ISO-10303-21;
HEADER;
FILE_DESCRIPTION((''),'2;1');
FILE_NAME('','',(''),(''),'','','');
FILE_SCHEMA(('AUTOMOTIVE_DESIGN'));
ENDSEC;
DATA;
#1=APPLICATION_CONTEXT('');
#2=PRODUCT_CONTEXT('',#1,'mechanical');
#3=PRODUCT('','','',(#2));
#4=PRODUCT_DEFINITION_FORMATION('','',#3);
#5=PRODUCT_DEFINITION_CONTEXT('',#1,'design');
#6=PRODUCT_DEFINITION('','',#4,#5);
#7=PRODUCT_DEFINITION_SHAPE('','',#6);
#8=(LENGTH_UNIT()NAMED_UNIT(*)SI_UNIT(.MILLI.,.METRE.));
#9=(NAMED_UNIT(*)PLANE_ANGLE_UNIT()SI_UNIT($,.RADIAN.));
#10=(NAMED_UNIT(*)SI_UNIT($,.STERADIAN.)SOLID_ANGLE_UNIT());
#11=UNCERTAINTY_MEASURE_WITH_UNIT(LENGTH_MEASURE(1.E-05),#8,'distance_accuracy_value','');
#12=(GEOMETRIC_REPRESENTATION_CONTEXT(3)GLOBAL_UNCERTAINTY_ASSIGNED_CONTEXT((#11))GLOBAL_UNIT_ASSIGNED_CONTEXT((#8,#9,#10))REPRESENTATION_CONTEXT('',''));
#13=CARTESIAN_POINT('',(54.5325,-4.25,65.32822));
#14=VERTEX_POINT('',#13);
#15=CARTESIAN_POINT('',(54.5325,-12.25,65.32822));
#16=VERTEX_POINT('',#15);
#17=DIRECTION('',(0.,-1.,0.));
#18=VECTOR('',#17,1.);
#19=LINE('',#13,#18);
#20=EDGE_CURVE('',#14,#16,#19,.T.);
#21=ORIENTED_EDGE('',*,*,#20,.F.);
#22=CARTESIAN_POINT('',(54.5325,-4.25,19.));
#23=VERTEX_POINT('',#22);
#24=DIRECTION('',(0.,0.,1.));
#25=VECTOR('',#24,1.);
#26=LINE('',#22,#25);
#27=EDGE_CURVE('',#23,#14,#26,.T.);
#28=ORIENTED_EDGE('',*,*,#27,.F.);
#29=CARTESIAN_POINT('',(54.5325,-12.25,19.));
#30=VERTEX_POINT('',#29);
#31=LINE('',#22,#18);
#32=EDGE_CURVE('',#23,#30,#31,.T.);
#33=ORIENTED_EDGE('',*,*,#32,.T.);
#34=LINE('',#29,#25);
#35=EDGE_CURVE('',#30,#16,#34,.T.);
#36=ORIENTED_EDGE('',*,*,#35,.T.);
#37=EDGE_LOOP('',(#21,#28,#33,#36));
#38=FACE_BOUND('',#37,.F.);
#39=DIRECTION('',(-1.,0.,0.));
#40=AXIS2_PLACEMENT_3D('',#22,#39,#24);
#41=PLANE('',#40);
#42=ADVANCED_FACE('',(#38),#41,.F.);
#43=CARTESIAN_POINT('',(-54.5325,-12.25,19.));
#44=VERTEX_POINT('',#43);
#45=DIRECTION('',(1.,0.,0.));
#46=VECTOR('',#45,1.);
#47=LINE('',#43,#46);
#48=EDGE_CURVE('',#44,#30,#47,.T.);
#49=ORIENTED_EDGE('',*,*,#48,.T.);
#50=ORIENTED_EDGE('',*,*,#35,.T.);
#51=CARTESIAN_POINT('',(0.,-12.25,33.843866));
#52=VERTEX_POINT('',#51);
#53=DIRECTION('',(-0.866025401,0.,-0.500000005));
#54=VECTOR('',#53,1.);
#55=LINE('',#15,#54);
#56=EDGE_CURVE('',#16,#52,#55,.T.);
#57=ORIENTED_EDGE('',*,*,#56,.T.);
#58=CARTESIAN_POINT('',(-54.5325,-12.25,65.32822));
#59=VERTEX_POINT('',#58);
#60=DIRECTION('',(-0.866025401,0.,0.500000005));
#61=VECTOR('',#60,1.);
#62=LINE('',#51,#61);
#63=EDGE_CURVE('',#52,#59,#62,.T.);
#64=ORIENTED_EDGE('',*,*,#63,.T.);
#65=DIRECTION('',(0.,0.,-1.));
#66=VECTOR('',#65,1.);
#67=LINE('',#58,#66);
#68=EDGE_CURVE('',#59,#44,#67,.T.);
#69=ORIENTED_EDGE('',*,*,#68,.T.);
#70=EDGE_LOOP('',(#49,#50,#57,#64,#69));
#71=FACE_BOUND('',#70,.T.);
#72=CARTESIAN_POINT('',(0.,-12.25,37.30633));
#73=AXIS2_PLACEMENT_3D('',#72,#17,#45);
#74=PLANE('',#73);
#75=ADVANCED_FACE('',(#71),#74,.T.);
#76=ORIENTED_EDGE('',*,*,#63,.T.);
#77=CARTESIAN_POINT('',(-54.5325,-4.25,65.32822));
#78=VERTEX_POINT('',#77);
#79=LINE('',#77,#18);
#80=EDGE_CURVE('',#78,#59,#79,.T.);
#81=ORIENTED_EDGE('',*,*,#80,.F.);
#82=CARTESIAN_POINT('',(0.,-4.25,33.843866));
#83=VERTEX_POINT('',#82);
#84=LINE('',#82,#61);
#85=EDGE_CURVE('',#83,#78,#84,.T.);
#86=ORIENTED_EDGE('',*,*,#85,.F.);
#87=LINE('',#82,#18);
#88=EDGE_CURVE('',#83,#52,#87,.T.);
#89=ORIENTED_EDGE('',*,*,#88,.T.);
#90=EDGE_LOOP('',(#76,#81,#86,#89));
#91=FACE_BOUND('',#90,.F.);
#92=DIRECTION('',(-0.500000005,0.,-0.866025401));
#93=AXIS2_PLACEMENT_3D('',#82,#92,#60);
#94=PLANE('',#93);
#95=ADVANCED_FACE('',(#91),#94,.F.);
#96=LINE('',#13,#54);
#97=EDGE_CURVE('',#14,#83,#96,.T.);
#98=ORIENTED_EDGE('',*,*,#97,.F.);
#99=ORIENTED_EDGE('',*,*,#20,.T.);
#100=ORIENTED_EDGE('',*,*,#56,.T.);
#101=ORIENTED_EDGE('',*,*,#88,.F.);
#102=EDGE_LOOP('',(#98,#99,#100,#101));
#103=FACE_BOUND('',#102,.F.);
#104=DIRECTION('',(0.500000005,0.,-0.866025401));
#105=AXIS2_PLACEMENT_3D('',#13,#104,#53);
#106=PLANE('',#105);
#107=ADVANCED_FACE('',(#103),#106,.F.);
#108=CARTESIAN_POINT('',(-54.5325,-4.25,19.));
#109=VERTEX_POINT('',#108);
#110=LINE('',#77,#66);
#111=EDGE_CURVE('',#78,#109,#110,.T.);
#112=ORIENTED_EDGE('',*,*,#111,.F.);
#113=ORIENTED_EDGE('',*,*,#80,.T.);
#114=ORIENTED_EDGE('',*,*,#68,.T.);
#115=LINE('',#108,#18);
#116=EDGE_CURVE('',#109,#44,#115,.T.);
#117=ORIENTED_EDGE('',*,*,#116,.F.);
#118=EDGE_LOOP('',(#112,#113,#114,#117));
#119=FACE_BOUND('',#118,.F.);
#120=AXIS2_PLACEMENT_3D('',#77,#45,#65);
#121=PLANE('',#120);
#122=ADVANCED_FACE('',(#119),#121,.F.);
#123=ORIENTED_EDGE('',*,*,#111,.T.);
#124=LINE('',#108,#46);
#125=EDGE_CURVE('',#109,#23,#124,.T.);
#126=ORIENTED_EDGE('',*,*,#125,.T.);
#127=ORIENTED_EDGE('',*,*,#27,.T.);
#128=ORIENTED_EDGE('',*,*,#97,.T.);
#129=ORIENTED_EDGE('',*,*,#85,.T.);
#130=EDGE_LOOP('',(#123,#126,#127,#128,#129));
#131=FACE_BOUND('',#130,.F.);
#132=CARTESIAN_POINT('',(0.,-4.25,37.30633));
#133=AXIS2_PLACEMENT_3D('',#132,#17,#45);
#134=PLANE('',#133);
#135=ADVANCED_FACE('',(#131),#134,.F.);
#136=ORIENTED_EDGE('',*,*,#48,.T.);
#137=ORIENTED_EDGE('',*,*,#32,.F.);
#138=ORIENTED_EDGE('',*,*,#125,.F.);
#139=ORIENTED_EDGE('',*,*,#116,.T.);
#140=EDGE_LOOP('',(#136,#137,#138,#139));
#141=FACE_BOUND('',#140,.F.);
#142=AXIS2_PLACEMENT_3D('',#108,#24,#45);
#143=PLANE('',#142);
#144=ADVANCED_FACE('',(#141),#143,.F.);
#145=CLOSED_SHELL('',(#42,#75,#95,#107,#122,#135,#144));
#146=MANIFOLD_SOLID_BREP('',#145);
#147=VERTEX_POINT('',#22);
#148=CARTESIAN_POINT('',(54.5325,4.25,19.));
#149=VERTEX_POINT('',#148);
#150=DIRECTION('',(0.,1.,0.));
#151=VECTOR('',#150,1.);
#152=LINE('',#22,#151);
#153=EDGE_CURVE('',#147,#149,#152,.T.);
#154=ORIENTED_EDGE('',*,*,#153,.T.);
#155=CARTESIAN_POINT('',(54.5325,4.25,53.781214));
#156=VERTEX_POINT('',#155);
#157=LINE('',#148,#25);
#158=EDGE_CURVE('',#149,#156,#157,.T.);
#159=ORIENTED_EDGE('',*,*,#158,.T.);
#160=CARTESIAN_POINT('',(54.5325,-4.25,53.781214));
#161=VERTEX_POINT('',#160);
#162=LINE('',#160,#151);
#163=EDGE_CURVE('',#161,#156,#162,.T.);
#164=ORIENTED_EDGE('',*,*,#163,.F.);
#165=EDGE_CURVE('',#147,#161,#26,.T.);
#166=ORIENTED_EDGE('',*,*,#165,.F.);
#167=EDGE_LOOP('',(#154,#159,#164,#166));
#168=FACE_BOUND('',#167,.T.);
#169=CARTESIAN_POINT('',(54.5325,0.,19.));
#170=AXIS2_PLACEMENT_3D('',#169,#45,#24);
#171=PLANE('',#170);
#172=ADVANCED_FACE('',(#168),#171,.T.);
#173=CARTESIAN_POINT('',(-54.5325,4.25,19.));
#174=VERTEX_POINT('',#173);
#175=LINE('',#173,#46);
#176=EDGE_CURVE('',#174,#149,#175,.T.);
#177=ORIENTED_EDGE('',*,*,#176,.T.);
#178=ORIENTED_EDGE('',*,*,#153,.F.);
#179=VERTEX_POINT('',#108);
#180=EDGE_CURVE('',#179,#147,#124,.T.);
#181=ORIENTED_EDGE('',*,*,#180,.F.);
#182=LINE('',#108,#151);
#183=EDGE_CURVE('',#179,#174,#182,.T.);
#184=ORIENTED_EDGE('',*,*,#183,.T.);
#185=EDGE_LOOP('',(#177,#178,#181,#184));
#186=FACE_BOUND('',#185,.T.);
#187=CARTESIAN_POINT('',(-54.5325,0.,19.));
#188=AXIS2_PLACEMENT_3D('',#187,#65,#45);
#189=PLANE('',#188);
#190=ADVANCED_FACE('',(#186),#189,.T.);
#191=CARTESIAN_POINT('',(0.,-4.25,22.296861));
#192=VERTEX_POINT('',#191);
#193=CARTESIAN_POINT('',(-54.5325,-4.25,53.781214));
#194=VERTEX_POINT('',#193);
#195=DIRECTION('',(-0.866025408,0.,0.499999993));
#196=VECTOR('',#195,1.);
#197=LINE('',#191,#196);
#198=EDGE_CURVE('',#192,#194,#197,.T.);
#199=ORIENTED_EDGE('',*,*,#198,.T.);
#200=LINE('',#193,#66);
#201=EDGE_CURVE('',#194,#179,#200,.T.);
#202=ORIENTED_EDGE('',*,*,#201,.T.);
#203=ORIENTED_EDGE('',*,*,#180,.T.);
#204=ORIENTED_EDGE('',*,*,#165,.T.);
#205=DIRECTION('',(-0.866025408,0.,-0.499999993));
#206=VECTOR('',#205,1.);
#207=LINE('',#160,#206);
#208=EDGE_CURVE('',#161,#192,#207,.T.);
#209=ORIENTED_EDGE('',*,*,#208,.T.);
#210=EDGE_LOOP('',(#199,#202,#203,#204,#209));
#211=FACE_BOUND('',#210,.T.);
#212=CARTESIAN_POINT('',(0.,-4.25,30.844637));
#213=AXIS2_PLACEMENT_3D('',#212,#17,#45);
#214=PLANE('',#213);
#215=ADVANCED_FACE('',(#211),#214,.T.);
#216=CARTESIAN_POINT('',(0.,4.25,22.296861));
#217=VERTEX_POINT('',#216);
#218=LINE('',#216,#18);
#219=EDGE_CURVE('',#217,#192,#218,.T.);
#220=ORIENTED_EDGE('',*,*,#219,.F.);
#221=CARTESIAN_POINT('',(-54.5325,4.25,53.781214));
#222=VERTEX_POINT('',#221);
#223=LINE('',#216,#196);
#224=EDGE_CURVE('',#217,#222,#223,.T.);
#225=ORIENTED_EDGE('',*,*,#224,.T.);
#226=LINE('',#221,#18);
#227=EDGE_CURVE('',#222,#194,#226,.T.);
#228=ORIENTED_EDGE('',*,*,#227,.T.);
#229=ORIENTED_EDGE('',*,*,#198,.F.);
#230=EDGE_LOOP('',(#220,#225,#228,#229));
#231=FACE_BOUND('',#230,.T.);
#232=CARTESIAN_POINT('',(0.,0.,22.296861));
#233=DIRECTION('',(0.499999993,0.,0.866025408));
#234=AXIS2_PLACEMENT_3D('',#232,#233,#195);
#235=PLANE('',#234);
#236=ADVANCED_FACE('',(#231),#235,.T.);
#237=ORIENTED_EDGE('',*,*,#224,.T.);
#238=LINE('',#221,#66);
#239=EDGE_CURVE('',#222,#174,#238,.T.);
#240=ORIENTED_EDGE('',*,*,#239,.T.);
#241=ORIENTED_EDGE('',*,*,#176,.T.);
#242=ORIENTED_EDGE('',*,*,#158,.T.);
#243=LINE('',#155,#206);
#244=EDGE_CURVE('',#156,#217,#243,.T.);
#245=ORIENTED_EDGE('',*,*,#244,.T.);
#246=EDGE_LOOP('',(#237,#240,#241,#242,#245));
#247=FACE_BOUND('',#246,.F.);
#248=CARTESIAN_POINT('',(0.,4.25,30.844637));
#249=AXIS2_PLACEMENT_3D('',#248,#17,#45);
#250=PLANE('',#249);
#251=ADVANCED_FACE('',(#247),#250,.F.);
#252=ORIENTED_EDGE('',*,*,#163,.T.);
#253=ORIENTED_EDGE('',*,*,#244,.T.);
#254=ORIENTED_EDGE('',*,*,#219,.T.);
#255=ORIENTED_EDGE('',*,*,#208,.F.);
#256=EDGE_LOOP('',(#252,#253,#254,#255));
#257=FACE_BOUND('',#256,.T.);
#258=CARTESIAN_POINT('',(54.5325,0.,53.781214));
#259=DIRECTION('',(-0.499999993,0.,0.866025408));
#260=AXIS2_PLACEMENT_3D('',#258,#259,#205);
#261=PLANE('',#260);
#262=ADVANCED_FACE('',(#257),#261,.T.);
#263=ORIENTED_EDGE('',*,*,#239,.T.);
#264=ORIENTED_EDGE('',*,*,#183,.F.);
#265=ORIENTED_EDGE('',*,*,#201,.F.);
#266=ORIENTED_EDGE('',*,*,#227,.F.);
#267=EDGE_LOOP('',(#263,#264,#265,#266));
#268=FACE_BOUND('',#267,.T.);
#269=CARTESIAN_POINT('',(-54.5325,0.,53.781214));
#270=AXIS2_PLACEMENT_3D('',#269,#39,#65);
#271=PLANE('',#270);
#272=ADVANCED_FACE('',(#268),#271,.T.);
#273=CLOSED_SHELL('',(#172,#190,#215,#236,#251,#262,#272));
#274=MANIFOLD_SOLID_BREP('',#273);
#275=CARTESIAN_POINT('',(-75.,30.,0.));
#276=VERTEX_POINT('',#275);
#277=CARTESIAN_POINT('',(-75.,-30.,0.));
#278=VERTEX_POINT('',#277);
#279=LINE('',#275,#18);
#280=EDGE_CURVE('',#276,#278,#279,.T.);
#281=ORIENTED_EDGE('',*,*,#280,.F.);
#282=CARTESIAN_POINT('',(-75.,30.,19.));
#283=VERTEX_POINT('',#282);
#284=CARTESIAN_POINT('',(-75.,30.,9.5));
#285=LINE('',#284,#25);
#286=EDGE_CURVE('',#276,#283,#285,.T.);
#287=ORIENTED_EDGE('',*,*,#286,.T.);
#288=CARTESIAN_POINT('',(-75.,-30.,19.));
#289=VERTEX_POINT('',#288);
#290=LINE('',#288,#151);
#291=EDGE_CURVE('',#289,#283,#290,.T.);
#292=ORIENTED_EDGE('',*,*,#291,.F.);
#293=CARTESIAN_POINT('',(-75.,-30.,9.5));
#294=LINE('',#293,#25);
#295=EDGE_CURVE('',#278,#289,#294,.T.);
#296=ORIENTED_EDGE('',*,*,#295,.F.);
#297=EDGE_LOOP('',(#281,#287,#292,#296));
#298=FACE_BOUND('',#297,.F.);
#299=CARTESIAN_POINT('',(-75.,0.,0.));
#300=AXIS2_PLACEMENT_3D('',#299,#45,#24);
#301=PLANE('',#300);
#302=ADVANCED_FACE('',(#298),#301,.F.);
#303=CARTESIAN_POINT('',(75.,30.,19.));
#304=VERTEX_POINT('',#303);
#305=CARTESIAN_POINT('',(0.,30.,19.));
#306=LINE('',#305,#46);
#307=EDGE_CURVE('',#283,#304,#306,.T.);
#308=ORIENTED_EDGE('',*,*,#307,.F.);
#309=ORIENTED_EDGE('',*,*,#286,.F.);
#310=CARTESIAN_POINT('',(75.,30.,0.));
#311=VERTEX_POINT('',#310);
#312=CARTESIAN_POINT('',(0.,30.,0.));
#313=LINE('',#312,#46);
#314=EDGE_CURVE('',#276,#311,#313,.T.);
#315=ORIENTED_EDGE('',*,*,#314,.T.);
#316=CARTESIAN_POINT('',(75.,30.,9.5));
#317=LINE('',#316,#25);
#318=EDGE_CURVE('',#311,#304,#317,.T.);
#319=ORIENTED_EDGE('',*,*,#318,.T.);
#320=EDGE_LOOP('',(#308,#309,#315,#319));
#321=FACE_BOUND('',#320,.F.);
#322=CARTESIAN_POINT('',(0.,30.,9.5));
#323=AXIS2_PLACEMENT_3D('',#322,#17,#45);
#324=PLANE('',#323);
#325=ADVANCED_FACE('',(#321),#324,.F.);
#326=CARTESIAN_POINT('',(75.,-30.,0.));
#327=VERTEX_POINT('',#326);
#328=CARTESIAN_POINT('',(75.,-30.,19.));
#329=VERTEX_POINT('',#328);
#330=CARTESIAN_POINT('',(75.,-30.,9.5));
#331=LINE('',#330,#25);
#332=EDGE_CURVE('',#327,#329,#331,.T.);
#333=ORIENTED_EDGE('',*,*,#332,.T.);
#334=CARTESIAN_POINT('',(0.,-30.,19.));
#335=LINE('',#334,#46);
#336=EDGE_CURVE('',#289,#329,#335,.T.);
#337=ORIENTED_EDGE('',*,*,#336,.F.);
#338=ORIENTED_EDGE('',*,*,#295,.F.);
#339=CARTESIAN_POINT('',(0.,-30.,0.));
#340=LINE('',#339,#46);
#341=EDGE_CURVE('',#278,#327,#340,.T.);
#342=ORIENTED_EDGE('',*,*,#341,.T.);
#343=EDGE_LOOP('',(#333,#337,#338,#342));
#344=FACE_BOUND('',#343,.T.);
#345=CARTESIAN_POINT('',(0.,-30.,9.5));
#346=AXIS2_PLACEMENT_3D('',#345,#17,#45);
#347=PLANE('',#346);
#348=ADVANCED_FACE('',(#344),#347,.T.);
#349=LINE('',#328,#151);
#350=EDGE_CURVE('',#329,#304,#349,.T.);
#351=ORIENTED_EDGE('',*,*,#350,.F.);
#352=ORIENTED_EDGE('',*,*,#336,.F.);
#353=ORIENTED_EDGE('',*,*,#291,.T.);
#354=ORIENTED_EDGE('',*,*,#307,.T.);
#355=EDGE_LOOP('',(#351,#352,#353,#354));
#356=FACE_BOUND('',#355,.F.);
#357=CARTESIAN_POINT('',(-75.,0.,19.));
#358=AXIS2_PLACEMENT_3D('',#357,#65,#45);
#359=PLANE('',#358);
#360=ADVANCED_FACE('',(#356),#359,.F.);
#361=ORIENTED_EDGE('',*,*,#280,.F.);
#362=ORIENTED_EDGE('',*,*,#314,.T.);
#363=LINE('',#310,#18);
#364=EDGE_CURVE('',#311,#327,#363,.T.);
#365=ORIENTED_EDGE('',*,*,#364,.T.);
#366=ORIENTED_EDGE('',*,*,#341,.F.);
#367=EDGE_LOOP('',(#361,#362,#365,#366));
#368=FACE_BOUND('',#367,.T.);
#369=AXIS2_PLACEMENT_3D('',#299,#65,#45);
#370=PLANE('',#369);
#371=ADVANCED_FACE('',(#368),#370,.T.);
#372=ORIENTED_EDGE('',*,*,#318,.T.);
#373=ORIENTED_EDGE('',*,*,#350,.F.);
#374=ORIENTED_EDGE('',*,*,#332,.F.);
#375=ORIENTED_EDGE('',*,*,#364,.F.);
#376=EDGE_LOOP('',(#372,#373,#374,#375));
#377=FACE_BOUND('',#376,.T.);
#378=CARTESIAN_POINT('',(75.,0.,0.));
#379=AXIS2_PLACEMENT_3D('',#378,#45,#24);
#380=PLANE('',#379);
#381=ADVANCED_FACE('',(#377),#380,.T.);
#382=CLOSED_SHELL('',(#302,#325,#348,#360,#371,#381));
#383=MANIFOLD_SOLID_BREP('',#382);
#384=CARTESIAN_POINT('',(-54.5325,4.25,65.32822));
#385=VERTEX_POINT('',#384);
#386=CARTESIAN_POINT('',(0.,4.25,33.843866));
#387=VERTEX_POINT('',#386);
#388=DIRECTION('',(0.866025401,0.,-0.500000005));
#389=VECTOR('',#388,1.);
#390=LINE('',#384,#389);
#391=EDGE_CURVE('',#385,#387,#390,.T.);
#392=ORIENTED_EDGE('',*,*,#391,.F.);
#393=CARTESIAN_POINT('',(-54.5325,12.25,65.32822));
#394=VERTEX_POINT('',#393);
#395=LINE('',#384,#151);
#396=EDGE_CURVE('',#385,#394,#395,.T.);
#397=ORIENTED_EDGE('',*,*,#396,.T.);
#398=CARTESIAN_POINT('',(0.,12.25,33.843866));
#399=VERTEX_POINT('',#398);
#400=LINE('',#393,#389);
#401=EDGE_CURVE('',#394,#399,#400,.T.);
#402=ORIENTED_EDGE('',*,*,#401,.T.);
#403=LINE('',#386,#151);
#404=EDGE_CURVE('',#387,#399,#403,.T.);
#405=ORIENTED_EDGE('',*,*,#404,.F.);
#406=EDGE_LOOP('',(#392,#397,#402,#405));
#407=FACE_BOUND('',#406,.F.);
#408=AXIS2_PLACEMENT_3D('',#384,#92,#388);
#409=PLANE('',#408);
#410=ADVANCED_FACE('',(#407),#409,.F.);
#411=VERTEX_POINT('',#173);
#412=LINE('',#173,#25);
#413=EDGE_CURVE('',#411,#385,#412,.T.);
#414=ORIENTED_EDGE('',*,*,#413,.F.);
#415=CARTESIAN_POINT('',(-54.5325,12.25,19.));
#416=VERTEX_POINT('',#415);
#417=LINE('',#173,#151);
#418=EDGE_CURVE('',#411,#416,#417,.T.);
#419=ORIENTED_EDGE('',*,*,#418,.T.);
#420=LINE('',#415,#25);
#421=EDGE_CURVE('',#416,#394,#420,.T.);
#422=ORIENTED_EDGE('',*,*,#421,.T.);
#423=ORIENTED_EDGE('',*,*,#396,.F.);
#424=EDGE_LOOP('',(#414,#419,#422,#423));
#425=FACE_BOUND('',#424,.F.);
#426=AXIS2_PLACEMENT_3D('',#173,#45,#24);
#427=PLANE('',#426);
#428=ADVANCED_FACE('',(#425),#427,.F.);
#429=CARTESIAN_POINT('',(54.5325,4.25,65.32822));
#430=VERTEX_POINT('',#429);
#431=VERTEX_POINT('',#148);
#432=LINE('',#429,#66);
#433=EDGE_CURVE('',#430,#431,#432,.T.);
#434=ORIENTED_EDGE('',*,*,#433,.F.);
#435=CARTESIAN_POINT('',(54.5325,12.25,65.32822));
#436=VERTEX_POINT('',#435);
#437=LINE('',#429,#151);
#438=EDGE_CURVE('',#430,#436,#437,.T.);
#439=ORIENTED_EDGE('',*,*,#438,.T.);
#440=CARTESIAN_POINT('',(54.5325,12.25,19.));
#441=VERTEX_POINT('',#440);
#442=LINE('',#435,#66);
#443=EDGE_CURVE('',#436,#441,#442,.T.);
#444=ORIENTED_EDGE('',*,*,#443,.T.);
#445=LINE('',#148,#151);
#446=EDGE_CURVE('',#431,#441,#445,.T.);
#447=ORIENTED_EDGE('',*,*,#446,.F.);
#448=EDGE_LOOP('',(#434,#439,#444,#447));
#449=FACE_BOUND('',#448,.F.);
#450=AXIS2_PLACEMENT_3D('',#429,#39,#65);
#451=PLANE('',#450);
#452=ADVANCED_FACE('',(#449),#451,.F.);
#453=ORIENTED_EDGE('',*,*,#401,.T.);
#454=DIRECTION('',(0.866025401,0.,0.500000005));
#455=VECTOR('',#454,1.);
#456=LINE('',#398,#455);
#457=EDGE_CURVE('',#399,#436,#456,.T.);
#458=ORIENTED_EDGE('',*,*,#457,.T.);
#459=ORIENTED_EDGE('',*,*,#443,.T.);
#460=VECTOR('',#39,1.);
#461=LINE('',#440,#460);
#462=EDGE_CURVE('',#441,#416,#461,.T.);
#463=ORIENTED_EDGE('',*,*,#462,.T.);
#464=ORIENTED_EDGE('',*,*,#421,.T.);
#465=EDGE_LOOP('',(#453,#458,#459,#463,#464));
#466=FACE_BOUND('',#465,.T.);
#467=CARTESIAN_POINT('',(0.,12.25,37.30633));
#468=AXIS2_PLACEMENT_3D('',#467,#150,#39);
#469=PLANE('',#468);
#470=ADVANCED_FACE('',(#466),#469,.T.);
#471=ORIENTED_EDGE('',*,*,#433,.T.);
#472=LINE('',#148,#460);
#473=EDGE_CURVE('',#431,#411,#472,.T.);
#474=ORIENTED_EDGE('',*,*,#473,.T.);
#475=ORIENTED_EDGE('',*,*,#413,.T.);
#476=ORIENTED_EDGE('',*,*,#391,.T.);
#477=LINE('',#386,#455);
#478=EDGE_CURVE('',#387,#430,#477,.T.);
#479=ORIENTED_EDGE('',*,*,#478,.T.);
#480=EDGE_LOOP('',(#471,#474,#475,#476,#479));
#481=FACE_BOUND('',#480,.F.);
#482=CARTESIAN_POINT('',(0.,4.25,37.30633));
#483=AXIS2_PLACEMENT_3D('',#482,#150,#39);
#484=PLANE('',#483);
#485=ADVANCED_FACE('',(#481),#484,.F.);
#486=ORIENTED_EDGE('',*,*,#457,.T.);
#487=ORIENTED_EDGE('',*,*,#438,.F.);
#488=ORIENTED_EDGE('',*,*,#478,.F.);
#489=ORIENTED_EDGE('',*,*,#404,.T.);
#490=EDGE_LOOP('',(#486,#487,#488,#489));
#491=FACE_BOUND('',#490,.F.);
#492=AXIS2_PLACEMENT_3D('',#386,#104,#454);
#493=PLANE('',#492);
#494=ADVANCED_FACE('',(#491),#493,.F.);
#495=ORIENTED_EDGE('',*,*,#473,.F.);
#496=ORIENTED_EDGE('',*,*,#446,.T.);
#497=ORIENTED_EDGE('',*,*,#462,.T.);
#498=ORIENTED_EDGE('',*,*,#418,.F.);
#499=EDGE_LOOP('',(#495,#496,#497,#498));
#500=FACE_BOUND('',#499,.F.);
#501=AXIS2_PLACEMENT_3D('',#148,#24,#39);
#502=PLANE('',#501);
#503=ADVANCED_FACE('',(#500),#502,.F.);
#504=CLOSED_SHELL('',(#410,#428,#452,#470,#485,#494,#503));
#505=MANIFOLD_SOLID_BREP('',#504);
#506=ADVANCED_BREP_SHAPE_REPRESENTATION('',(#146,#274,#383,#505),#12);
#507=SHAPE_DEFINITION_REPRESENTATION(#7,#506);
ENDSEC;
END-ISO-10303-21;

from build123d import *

# Parameters (mm, degrees)
F0_W     = 150
F0_H     = 19
F1_DEPTH = 30
F3_DEPTH = 4.25
F5_DEPTH = 8
F7_DEPTH = 8


with BuildPart() as f1:
    # F0 (on Front) → F1 (new body, symmetric)
    with BuildSketch(Plane.XZ):
        with Locations((0, 9.5)):
            Rectangle(F0_W, F0_H)
    extrude(amount=F1_DEPTH, both=True)


with BuildPart() as f3:
    # F2 (on Front) → F3 (new body, symmetric)
    with BuildSketch(Plane.XZ):
        Polygon((54.5325, 53.781214), (0, 22.296861), (-54.5325, 53.781214), (-54.5325, 19), (54.5325, 19), align=None)
    extrude(amount=F3_DEPTH, both=True)


with BuildPart() as f5:
    # F4 (on face) → F5 (new body)
    with BuildSketch(Plane.XZ.offset(4.25)):
        Polygon((54.5325, 65.32822), (0, 33.843866), (-54.5325, 65.32822), (-54.5325, 19), (54.5325, 19), align=None)
    extrude(amount=F5_DEPTH)


with BuildPart() as f7:
    # F6 (on face) → F7 (new body)
    with BuildSketch(Plane(origin=(0, 4.25, 0), x_dir=(-1, 0, 0), z_dir=(0, 1, 0))):
        Polygon((54.5325, 19), (54.5325, 65.32822), (0, 33.843866), (-54.5325, 65.32822), (-54.5325, 19), align=None)
    extrude(amount=F7_DEPTH)


solid = Compound([f1.part, f3.part, f5.part, f7.part])
